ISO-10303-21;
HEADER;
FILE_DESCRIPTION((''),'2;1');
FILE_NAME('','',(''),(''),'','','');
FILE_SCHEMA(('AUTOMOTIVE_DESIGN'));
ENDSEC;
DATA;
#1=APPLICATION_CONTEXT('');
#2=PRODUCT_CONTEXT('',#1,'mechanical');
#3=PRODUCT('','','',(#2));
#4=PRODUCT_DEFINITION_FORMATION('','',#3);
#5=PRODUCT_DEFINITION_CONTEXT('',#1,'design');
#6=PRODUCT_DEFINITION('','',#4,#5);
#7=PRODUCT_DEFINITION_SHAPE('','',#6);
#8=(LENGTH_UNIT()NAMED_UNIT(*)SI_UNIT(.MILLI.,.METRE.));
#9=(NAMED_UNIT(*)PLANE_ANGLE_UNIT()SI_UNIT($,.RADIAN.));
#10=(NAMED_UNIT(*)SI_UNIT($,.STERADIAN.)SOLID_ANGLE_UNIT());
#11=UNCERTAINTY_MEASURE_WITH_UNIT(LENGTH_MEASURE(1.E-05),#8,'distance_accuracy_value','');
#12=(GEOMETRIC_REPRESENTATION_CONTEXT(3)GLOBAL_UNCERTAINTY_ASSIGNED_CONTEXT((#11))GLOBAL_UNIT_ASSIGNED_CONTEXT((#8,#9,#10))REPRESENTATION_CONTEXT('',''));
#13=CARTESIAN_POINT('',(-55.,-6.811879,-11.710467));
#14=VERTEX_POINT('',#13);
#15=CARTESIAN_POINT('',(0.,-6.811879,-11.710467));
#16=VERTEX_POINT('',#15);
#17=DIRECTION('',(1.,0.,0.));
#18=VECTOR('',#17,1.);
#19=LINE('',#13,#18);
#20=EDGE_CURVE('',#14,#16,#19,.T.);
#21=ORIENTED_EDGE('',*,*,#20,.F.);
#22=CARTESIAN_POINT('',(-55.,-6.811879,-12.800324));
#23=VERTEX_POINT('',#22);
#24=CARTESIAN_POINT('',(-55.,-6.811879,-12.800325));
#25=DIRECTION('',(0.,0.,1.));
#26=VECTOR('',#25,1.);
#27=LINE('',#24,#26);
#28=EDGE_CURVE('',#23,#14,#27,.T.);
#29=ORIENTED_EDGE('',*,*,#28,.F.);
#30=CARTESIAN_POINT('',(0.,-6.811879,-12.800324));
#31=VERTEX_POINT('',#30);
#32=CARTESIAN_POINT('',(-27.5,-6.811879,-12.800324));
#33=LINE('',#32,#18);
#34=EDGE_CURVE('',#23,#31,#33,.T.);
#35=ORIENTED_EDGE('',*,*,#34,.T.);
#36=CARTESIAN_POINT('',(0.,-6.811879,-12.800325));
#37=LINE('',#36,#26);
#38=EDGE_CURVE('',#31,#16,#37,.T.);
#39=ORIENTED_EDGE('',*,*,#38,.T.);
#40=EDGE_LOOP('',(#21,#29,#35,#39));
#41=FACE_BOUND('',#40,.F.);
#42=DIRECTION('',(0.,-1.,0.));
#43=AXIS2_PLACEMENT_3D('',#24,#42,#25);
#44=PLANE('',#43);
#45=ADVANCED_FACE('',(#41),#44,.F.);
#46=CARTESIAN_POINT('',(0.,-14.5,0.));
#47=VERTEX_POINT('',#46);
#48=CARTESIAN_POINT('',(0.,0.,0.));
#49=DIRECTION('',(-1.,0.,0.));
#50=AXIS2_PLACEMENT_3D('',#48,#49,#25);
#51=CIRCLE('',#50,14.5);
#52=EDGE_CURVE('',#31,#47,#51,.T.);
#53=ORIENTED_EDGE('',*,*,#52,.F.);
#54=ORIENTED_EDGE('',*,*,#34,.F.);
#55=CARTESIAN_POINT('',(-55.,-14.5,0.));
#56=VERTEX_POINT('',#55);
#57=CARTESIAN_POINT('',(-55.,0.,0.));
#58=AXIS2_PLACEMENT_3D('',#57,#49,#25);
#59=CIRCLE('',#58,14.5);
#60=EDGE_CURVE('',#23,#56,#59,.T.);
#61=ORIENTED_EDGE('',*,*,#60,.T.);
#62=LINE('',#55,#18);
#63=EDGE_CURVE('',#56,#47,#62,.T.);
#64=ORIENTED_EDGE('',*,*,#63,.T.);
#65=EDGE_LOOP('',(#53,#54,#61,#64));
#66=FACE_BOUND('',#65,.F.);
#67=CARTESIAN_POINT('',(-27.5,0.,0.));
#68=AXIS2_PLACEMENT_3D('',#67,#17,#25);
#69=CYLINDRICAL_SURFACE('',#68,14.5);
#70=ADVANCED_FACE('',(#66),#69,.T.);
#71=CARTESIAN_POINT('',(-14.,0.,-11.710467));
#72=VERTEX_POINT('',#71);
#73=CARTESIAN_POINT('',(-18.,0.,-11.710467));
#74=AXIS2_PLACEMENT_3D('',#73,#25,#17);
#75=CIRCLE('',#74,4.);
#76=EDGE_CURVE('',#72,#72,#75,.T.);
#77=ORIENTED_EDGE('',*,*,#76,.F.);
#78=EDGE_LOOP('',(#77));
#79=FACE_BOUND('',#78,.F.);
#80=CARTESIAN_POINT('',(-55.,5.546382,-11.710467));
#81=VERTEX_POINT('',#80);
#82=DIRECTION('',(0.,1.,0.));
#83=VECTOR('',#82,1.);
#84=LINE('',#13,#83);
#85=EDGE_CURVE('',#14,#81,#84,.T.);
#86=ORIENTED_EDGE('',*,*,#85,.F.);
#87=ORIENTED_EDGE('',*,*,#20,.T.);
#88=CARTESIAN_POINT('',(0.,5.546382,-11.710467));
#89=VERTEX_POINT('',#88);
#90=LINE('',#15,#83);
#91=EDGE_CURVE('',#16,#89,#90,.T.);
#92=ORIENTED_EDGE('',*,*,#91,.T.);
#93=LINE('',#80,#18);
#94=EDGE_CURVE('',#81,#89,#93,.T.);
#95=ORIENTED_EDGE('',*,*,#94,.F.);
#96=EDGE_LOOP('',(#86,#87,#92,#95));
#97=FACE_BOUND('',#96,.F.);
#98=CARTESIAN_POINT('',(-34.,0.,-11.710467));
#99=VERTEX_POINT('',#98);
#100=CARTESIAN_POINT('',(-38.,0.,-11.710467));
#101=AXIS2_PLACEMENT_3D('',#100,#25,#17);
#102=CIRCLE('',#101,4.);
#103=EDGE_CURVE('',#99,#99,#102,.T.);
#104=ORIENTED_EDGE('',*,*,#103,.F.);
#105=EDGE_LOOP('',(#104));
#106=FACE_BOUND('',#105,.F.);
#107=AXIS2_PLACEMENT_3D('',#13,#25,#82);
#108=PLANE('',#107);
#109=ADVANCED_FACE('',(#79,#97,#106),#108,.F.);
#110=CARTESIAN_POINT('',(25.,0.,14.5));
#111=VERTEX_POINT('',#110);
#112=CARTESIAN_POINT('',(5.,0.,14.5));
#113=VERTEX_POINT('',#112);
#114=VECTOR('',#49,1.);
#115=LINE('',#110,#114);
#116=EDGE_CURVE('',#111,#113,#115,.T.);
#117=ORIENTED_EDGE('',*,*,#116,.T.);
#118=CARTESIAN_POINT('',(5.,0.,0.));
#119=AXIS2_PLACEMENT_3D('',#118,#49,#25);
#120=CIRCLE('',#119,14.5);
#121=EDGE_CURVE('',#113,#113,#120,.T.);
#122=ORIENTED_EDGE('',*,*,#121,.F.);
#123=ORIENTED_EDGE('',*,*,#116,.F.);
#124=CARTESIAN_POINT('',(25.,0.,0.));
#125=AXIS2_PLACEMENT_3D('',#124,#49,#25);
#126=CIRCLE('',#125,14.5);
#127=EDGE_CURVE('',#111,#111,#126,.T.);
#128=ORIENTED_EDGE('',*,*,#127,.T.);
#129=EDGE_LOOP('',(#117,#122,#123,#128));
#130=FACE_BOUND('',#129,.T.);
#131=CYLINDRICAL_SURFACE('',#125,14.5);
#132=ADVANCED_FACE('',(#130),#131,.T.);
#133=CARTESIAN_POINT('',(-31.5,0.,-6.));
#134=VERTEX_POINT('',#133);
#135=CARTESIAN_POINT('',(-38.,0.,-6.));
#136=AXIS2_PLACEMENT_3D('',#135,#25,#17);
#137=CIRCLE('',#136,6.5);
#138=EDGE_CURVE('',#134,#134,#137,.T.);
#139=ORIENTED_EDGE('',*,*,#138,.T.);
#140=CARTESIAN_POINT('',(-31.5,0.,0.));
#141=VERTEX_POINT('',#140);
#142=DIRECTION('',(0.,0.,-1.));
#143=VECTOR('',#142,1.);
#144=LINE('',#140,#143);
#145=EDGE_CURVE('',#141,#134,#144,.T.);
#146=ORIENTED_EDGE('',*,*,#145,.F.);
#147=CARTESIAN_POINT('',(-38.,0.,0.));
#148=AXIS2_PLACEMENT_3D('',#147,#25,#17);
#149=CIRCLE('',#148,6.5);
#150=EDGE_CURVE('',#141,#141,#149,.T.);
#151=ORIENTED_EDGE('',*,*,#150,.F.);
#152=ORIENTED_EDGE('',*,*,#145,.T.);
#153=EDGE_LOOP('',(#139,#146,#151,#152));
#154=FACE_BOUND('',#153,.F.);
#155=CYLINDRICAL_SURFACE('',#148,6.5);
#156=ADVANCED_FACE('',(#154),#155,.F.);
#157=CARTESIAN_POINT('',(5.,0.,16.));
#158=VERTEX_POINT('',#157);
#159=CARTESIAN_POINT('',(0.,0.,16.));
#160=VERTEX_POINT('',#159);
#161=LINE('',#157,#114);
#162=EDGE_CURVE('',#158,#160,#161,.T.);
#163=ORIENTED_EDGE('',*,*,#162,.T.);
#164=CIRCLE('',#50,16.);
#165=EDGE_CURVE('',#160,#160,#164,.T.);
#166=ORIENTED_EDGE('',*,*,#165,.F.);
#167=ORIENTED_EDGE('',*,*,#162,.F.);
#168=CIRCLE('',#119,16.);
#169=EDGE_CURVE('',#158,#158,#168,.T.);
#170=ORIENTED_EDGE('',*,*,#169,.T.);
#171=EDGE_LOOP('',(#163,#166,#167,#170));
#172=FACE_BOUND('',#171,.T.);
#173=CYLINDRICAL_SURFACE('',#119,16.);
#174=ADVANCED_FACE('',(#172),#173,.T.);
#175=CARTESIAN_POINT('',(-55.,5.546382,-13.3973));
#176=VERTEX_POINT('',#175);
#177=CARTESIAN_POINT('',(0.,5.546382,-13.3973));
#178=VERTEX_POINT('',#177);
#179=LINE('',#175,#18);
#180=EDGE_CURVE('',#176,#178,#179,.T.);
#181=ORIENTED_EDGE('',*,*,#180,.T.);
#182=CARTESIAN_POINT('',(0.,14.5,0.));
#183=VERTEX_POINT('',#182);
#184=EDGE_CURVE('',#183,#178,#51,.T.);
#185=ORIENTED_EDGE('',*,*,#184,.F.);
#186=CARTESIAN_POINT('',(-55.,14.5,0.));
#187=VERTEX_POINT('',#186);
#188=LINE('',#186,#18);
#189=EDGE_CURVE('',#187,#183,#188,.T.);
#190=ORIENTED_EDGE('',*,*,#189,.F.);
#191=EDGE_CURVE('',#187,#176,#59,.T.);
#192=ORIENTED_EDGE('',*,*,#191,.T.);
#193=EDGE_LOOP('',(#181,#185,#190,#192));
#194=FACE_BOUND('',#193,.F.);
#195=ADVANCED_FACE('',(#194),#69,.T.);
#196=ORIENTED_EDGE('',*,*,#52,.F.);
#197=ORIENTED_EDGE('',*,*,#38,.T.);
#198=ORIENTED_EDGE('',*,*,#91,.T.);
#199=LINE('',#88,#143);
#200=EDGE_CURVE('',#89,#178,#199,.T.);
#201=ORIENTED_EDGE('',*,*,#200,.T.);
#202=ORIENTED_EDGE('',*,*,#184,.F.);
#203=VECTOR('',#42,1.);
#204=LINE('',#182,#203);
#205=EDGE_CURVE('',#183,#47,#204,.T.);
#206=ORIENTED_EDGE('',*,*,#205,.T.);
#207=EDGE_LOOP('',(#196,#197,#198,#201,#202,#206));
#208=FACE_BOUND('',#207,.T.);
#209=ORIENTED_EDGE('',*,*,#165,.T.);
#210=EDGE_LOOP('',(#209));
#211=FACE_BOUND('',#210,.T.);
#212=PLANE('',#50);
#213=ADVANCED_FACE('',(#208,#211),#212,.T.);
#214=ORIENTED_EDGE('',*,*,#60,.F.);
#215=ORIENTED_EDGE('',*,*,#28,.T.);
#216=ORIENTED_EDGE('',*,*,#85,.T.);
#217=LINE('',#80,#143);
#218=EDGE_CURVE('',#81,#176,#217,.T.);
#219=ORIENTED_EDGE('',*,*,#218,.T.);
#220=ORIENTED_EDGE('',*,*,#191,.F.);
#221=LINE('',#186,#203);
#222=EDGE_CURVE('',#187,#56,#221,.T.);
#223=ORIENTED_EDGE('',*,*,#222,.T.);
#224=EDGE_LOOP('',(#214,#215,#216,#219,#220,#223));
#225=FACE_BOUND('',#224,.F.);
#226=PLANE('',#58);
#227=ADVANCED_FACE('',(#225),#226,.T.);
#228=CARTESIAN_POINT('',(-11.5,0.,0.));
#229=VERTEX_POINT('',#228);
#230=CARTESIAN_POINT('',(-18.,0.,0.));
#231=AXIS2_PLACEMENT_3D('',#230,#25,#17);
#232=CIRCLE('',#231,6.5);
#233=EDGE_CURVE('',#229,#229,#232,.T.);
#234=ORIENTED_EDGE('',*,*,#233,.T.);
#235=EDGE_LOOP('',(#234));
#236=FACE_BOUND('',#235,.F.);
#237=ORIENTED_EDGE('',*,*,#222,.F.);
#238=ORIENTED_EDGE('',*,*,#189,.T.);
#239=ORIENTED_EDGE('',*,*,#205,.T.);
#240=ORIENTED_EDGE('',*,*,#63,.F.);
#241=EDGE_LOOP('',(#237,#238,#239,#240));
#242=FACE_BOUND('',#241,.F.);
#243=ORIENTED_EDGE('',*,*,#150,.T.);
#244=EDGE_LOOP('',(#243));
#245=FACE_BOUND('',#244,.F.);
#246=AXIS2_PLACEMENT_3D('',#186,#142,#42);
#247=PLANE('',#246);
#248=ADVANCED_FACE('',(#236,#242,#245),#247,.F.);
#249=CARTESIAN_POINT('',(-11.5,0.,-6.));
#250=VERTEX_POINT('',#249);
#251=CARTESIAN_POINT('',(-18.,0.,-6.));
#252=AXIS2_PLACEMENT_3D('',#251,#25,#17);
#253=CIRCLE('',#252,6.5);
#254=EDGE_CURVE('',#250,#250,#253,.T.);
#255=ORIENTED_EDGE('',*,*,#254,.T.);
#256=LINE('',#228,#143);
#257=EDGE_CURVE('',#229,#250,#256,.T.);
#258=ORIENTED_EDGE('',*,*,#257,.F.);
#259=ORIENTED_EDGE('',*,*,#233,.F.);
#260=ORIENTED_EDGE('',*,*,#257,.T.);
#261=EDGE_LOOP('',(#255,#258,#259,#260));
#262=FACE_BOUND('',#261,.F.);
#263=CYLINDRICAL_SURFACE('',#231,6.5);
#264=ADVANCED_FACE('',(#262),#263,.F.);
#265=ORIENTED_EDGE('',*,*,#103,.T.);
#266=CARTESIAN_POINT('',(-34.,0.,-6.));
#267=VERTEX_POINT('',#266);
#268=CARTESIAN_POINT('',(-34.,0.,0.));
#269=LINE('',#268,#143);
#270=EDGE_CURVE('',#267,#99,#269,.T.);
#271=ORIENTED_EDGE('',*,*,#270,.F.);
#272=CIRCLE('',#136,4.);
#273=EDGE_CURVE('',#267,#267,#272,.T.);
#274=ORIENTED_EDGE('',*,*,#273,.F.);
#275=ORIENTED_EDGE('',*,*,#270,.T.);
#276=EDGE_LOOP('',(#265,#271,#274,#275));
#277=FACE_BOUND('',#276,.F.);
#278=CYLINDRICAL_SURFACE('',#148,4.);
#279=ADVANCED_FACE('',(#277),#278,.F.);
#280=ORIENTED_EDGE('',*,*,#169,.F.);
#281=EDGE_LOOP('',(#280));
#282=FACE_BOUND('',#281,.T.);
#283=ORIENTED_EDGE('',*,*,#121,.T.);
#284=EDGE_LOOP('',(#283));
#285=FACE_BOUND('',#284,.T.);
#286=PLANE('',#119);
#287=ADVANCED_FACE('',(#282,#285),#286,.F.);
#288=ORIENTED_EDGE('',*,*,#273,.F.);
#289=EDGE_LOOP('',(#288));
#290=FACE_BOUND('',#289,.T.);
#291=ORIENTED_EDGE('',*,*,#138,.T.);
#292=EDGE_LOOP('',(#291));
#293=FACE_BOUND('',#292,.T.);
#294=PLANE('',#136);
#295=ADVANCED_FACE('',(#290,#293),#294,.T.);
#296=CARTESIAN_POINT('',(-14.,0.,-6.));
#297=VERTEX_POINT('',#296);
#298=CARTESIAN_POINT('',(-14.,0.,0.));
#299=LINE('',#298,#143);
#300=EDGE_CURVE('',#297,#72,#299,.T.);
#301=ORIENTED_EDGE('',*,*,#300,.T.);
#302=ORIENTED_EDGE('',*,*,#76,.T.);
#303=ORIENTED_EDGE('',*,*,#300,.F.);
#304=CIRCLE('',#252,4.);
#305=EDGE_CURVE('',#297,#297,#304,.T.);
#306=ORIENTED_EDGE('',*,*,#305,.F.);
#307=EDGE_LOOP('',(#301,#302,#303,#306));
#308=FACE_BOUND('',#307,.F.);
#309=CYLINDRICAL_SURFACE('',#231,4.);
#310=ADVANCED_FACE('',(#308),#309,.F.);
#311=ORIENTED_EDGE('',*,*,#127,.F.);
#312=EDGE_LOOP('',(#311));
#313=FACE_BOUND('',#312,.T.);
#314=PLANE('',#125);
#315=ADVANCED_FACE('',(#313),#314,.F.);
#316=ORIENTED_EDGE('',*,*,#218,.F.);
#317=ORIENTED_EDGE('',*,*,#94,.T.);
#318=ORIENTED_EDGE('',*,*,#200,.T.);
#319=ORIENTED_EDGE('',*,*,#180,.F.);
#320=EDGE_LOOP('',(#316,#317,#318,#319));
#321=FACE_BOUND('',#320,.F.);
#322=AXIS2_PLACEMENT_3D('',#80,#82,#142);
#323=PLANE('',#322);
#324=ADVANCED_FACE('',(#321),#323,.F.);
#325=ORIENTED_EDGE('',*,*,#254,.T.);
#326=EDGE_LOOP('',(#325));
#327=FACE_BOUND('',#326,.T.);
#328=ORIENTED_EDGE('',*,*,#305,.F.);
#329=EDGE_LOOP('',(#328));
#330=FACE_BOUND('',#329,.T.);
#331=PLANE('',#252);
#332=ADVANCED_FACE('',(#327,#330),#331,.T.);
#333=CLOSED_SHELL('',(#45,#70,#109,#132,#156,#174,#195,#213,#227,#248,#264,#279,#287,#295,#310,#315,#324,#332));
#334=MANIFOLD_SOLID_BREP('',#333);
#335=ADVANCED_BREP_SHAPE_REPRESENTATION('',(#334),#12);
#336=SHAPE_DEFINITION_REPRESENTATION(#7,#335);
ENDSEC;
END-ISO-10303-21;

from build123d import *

# Parameters (mm, degrees)
F0_W     = 55
F0_H     = 14.5
F3_DEPTH = 55
F4_R     = 4
F5_DEPTH = 16.001
F7_DEPTH = 55
F4_R_2   = 6.5
F8_DEPTH = 6


with BuildPart() as f1:
    # F0 (on Front) → F1 (revolve)
    with BuildSketch(Plane.XZ):
        with Locations((-27.5, 7.25)):
            Rectangle(F0_W, F0_H)
        Polygon((0, 16), (0, 14.5), (0, 0), (25, 0), (25, 14.5), (5, 14.5), (5, 16), align=None)
    revolve(axis=Axis((-15, 0, 0), (-1, 0, 0)))

    # F2 (on face) → F3 (cut)
    with BuildSketch(Plane(origin=(-55, 0, 0), x_dir=(0, -1, 0), z_dir=(-1, 0, 0))):
        with BuildLine():
            ThreePointArc((14.5, 0), (0, 14.5), (-14.5, 0))
            Line((-14.5, 0), (14.5, 0))
        make_face()
    extrude(amount=-F3_DEPTH, mode=Mode.SUBTRACT)

    # F4 (on face) → F5 (cut, through all)
    with BuildSketch(Plane.XY):
        with Locations((-38, 0)):
            Circle(F4_R)
        with Locations((-18, 0)):
            Circle(F4_R)
    extrude(amount=-F5_DEPTH, mode=Mode.SUBTRACT)

    # F6 (on face) → F7 (cut)
    with BuildSketch(Plane(origin=(-55, 0, 0), x_dir=(0, -1, 0), z_dir=(-1, 0, 0))):
        with BuildLine():
            ThreePointArc((-5.546382, -13.3973), (0.699618, -14.483112), (6.811879, -12.800325))
            Line((6.811879, -12.800325), (6.811879, -11.710467))
            Line((6.811879, -11.710467), (-5.546382, -11.710467))
            Line((-5.546382, -11.710467), (-5.546382, -13.3973))
        make_face()
    extrude(amount=-F7_DEPTH, mode=Mode.SUBTRACT)

    # F4 (on face) → F8 (cut)
    with BuildSketch(Plane.XY):
        with Locations((-38, 0)):
            Circle(F4_R_2)
        with Locations((-38, 0)):
            Circle(F4_R, mode=Mode.SUBTRACT)
        with Locations((-18, 0)):
            Circle(F4_R_2)
        with Locations((-18, 0)):
            Circle(F4_R, mode=Mode.SUBTRACT)
    extrude(amount=-F8_DEPTH, mode=Mode.SUBTRACT)


solid = f1.part
